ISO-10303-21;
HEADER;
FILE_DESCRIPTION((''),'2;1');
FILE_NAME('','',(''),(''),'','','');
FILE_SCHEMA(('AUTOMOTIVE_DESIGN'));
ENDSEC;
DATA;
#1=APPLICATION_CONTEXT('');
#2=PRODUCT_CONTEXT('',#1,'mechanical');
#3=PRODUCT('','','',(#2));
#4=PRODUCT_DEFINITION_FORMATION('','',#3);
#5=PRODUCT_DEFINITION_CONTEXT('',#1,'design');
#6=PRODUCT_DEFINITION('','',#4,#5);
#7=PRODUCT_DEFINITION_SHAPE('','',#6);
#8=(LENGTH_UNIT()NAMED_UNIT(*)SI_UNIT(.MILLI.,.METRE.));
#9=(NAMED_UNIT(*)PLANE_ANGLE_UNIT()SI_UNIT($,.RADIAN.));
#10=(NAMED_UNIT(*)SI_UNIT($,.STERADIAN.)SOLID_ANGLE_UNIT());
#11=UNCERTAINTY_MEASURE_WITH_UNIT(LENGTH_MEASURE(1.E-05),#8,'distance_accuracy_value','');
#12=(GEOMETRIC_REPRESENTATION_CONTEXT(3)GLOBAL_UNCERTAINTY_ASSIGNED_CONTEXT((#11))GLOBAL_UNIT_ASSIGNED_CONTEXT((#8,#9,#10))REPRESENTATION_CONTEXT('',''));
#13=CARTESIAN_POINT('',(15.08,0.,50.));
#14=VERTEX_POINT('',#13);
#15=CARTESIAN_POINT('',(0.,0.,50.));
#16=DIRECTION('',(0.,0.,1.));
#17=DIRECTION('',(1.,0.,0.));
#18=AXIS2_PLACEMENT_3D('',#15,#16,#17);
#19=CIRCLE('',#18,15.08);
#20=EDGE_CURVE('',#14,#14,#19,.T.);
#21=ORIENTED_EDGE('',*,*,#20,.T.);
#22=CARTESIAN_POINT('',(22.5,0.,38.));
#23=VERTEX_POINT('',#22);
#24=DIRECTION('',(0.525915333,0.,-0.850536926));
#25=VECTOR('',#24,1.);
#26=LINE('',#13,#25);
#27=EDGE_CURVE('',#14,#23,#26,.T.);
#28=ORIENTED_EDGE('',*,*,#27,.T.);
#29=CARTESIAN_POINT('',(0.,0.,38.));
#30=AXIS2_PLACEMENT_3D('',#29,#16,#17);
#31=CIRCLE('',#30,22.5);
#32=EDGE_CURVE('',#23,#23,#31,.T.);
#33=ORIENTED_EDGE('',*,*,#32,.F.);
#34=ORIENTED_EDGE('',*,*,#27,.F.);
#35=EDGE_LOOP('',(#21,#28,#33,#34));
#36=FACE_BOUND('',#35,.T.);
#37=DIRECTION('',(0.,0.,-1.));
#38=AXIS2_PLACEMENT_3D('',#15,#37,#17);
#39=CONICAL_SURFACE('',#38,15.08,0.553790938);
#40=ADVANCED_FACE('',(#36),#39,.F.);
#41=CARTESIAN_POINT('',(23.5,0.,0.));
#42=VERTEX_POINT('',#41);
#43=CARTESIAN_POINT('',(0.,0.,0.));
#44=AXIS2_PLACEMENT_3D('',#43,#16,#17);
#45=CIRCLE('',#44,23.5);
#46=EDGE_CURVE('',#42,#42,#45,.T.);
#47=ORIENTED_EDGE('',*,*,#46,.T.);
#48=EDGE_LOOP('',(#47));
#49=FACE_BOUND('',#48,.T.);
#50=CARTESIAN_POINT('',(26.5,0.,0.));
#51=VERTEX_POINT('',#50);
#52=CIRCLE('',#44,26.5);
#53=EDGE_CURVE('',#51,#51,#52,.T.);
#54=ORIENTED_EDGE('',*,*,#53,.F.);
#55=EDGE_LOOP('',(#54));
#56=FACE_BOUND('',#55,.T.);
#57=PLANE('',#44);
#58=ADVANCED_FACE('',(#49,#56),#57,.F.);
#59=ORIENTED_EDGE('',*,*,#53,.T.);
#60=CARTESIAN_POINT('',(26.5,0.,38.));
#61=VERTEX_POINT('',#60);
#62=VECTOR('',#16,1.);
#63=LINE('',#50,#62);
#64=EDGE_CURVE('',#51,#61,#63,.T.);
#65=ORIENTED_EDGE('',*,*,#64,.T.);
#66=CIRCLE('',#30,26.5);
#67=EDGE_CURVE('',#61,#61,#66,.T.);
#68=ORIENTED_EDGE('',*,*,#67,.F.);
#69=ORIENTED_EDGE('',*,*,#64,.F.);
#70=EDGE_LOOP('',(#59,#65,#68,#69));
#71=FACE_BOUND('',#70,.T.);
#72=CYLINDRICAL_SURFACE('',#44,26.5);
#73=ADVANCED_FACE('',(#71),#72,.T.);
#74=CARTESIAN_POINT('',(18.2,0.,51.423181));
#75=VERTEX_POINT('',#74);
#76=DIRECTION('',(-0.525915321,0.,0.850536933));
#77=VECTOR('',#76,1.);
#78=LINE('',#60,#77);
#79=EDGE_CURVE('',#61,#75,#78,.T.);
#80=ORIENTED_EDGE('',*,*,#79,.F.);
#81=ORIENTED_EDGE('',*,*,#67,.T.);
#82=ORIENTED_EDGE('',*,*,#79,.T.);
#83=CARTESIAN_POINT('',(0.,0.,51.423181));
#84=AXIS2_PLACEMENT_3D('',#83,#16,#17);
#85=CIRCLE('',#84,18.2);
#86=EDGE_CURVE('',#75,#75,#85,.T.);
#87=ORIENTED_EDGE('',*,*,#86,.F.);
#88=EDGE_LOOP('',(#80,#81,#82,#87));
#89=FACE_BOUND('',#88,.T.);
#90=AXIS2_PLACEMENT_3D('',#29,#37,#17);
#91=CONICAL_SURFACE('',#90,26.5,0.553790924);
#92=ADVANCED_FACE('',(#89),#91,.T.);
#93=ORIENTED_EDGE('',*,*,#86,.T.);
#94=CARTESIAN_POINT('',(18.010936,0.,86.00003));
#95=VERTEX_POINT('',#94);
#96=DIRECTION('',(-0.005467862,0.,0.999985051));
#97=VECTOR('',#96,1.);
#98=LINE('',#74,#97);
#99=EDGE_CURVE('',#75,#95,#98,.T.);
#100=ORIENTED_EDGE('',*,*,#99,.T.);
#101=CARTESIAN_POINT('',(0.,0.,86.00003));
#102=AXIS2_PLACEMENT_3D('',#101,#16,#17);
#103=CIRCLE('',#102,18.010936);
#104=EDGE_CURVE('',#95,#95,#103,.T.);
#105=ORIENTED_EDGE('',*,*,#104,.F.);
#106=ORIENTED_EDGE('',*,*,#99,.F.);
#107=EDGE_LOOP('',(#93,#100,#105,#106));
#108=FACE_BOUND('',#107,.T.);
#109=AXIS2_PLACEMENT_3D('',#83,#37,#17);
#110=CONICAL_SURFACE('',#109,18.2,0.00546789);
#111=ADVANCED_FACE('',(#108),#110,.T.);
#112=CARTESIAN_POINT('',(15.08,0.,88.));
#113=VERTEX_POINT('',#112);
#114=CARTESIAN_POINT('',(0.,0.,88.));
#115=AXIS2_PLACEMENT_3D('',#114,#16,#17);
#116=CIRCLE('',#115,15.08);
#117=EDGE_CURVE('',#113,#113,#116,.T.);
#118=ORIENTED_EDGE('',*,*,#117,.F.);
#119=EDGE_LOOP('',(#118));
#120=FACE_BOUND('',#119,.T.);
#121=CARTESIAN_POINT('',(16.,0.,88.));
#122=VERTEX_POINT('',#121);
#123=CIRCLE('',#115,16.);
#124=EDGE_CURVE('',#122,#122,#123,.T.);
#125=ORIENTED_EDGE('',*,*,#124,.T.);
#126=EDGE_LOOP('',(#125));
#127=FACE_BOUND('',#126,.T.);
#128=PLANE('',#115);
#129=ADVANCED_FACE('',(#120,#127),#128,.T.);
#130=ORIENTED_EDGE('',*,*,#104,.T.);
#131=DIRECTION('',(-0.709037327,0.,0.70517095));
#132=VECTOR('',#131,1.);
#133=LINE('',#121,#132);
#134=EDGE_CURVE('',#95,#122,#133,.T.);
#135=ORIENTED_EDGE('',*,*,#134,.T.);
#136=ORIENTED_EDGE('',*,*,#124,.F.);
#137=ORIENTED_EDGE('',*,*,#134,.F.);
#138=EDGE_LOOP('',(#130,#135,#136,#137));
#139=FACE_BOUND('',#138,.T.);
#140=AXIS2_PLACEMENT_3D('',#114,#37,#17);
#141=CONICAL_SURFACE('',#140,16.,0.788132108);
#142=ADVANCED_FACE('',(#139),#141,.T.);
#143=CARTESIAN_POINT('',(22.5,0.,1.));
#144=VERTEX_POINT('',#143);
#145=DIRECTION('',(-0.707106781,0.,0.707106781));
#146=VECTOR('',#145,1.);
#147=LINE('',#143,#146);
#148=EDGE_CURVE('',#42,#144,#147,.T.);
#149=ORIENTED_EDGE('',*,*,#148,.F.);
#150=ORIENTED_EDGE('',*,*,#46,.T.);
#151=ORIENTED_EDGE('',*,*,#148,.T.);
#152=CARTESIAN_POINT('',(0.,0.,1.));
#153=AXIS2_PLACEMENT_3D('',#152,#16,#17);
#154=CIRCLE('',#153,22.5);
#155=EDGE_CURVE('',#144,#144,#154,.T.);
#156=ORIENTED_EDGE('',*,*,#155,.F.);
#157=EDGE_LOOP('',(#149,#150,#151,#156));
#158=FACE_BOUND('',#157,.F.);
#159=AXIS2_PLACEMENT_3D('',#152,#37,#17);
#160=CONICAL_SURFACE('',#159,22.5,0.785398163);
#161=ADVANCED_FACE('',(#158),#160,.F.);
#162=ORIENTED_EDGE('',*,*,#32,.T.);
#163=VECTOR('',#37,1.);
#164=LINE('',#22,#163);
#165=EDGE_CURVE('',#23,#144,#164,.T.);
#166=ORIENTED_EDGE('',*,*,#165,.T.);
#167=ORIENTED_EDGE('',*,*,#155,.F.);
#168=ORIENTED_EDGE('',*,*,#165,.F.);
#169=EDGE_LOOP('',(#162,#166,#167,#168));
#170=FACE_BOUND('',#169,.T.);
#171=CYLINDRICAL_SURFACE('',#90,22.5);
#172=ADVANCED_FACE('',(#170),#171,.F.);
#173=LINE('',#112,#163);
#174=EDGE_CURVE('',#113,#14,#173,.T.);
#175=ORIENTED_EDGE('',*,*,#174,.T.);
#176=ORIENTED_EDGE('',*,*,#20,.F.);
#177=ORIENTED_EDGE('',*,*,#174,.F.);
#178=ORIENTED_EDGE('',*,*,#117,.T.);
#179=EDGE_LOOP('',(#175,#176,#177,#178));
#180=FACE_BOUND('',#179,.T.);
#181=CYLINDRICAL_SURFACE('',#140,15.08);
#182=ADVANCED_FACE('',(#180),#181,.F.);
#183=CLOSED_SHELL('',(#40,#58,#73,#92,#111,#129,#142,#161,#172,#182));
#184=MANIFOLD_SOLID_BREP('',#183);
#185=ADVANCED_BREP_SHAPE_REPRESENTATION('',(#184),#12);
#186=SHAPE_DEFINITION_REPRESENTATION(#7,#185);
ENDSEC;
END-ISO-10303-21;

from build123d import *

# Parameters (mm, degrees)
F2_SIZE = 2
F3_SIZE = 1


with BuildPart() as f1:
    # F0 (on Front) → F1 (revolve)
    with BuildSketch(Plane.XZ):
        Polygon((22.5, 38), (22.5, 0), (26.5, 0), (26.5, 38), (18.2, 51.423181), (18, 88), (15.08, 88), (15.08, 50), align=None)
    revolve(axis=Axis((0, 0, 38.390822), (0, 0, 1)))

    # F2
    f2_edges = [f1.edges().sort_by_distance(p)[0] for p in [
        (-18, 0, 88),
    ]]
    chamfer(f2_edges, length=F2_SIZE)

    # F3
    f3_edges = [f1.edges().sort_by_distance(p)[0] for p in [
        (-22.5, 0, 0),
    ]]
    chamfer(f3_edges, length=F3_SIZE)


solid = f1.part
